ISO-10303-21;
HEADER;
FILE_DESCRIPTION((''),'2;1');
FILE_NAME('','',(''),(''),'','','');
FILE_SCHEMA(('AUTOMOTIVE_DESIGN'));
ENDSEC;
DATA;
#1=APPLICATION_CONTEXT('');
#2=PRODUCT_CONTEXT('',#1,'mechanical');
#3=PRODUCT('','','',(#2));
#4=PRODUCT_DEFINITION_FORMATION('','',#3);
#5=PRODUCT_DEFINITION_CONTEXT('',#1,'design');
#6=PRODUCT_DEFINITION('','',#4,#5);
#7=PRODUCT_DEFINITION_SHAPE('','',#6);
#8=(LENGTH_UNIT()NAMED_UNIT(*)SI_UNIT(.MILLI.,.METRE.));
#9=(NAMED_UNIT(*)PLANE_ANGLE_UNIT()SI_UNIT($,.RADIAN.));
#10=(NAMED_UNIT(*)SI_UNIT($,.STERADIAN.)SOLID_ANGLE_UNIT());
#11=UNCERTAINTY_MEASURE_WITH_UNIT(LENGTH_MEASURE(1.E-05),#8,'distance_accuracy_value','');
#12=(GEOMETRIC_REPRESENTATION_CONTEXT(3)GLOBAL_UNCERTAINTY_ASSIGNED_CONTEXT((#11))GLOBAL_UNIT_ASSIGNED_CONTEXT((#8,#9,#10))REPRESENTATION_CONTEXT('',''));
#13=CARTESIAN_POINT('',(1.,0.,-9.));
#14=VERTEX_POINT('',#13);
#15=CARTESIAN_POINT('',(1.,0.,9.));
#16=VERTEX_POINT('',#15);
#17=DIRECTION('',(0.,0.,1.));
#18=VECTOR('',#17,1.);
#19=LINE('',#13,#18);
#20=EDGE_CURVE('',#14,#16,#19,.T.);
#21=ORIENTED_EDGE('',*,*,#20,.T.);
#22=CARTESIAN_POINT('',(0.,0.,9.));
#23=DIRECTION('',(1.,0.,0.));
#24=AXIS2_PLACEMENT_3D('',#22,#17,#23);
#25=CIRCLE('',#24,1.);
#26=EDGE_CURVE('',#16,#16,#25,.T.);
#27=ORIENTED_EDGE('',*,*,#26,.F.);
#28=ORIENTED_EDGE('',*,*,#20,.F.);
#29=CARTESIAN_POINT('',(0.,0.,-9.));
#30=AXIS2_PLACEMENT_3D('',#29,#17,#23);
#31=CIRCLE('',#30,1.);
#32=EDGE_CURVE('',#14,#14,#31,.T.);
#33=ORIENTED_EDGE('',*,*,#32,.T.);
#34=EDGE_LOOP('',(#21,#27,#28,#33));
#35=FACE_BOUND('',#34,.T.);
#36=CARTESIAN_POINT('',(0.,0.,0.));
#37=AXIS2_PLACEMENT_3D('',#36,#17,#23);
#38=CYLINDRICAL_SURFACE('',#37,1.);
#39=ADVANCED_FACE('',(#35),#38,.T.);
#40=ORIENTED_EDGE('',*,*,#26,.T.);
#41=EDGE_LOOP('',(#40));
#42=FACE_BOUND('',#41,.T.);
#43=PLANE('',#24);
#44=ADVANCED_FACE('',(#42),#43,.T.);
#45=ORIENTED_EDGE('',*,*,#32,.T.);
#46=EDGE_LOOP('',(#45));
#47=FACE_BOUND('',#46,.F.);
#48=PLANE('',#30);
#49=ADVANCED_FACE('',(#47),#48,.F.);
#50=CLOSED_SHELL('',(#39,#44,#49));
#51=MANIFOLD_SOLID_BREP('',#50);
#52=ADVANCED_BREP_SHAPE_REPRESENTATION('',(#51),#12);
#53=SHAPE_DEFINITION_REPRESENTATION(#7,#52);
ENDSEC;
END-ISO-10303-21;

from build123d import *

# Parameters (mm, degrees)
SKETCH1_R           = 1
BOSS_EXTRUDE1_DEPTH = 9


with BuildPart() as part:
    # Sketch1 → Boss-Extrude1 (new body, symmetric)
    with BuildSketch(Plane.XY):
        Circle(SKETCH1_R)
    extrude(amount=BOSS_EXTRUDE1_DEPTH, both=True)


solid = part.part
